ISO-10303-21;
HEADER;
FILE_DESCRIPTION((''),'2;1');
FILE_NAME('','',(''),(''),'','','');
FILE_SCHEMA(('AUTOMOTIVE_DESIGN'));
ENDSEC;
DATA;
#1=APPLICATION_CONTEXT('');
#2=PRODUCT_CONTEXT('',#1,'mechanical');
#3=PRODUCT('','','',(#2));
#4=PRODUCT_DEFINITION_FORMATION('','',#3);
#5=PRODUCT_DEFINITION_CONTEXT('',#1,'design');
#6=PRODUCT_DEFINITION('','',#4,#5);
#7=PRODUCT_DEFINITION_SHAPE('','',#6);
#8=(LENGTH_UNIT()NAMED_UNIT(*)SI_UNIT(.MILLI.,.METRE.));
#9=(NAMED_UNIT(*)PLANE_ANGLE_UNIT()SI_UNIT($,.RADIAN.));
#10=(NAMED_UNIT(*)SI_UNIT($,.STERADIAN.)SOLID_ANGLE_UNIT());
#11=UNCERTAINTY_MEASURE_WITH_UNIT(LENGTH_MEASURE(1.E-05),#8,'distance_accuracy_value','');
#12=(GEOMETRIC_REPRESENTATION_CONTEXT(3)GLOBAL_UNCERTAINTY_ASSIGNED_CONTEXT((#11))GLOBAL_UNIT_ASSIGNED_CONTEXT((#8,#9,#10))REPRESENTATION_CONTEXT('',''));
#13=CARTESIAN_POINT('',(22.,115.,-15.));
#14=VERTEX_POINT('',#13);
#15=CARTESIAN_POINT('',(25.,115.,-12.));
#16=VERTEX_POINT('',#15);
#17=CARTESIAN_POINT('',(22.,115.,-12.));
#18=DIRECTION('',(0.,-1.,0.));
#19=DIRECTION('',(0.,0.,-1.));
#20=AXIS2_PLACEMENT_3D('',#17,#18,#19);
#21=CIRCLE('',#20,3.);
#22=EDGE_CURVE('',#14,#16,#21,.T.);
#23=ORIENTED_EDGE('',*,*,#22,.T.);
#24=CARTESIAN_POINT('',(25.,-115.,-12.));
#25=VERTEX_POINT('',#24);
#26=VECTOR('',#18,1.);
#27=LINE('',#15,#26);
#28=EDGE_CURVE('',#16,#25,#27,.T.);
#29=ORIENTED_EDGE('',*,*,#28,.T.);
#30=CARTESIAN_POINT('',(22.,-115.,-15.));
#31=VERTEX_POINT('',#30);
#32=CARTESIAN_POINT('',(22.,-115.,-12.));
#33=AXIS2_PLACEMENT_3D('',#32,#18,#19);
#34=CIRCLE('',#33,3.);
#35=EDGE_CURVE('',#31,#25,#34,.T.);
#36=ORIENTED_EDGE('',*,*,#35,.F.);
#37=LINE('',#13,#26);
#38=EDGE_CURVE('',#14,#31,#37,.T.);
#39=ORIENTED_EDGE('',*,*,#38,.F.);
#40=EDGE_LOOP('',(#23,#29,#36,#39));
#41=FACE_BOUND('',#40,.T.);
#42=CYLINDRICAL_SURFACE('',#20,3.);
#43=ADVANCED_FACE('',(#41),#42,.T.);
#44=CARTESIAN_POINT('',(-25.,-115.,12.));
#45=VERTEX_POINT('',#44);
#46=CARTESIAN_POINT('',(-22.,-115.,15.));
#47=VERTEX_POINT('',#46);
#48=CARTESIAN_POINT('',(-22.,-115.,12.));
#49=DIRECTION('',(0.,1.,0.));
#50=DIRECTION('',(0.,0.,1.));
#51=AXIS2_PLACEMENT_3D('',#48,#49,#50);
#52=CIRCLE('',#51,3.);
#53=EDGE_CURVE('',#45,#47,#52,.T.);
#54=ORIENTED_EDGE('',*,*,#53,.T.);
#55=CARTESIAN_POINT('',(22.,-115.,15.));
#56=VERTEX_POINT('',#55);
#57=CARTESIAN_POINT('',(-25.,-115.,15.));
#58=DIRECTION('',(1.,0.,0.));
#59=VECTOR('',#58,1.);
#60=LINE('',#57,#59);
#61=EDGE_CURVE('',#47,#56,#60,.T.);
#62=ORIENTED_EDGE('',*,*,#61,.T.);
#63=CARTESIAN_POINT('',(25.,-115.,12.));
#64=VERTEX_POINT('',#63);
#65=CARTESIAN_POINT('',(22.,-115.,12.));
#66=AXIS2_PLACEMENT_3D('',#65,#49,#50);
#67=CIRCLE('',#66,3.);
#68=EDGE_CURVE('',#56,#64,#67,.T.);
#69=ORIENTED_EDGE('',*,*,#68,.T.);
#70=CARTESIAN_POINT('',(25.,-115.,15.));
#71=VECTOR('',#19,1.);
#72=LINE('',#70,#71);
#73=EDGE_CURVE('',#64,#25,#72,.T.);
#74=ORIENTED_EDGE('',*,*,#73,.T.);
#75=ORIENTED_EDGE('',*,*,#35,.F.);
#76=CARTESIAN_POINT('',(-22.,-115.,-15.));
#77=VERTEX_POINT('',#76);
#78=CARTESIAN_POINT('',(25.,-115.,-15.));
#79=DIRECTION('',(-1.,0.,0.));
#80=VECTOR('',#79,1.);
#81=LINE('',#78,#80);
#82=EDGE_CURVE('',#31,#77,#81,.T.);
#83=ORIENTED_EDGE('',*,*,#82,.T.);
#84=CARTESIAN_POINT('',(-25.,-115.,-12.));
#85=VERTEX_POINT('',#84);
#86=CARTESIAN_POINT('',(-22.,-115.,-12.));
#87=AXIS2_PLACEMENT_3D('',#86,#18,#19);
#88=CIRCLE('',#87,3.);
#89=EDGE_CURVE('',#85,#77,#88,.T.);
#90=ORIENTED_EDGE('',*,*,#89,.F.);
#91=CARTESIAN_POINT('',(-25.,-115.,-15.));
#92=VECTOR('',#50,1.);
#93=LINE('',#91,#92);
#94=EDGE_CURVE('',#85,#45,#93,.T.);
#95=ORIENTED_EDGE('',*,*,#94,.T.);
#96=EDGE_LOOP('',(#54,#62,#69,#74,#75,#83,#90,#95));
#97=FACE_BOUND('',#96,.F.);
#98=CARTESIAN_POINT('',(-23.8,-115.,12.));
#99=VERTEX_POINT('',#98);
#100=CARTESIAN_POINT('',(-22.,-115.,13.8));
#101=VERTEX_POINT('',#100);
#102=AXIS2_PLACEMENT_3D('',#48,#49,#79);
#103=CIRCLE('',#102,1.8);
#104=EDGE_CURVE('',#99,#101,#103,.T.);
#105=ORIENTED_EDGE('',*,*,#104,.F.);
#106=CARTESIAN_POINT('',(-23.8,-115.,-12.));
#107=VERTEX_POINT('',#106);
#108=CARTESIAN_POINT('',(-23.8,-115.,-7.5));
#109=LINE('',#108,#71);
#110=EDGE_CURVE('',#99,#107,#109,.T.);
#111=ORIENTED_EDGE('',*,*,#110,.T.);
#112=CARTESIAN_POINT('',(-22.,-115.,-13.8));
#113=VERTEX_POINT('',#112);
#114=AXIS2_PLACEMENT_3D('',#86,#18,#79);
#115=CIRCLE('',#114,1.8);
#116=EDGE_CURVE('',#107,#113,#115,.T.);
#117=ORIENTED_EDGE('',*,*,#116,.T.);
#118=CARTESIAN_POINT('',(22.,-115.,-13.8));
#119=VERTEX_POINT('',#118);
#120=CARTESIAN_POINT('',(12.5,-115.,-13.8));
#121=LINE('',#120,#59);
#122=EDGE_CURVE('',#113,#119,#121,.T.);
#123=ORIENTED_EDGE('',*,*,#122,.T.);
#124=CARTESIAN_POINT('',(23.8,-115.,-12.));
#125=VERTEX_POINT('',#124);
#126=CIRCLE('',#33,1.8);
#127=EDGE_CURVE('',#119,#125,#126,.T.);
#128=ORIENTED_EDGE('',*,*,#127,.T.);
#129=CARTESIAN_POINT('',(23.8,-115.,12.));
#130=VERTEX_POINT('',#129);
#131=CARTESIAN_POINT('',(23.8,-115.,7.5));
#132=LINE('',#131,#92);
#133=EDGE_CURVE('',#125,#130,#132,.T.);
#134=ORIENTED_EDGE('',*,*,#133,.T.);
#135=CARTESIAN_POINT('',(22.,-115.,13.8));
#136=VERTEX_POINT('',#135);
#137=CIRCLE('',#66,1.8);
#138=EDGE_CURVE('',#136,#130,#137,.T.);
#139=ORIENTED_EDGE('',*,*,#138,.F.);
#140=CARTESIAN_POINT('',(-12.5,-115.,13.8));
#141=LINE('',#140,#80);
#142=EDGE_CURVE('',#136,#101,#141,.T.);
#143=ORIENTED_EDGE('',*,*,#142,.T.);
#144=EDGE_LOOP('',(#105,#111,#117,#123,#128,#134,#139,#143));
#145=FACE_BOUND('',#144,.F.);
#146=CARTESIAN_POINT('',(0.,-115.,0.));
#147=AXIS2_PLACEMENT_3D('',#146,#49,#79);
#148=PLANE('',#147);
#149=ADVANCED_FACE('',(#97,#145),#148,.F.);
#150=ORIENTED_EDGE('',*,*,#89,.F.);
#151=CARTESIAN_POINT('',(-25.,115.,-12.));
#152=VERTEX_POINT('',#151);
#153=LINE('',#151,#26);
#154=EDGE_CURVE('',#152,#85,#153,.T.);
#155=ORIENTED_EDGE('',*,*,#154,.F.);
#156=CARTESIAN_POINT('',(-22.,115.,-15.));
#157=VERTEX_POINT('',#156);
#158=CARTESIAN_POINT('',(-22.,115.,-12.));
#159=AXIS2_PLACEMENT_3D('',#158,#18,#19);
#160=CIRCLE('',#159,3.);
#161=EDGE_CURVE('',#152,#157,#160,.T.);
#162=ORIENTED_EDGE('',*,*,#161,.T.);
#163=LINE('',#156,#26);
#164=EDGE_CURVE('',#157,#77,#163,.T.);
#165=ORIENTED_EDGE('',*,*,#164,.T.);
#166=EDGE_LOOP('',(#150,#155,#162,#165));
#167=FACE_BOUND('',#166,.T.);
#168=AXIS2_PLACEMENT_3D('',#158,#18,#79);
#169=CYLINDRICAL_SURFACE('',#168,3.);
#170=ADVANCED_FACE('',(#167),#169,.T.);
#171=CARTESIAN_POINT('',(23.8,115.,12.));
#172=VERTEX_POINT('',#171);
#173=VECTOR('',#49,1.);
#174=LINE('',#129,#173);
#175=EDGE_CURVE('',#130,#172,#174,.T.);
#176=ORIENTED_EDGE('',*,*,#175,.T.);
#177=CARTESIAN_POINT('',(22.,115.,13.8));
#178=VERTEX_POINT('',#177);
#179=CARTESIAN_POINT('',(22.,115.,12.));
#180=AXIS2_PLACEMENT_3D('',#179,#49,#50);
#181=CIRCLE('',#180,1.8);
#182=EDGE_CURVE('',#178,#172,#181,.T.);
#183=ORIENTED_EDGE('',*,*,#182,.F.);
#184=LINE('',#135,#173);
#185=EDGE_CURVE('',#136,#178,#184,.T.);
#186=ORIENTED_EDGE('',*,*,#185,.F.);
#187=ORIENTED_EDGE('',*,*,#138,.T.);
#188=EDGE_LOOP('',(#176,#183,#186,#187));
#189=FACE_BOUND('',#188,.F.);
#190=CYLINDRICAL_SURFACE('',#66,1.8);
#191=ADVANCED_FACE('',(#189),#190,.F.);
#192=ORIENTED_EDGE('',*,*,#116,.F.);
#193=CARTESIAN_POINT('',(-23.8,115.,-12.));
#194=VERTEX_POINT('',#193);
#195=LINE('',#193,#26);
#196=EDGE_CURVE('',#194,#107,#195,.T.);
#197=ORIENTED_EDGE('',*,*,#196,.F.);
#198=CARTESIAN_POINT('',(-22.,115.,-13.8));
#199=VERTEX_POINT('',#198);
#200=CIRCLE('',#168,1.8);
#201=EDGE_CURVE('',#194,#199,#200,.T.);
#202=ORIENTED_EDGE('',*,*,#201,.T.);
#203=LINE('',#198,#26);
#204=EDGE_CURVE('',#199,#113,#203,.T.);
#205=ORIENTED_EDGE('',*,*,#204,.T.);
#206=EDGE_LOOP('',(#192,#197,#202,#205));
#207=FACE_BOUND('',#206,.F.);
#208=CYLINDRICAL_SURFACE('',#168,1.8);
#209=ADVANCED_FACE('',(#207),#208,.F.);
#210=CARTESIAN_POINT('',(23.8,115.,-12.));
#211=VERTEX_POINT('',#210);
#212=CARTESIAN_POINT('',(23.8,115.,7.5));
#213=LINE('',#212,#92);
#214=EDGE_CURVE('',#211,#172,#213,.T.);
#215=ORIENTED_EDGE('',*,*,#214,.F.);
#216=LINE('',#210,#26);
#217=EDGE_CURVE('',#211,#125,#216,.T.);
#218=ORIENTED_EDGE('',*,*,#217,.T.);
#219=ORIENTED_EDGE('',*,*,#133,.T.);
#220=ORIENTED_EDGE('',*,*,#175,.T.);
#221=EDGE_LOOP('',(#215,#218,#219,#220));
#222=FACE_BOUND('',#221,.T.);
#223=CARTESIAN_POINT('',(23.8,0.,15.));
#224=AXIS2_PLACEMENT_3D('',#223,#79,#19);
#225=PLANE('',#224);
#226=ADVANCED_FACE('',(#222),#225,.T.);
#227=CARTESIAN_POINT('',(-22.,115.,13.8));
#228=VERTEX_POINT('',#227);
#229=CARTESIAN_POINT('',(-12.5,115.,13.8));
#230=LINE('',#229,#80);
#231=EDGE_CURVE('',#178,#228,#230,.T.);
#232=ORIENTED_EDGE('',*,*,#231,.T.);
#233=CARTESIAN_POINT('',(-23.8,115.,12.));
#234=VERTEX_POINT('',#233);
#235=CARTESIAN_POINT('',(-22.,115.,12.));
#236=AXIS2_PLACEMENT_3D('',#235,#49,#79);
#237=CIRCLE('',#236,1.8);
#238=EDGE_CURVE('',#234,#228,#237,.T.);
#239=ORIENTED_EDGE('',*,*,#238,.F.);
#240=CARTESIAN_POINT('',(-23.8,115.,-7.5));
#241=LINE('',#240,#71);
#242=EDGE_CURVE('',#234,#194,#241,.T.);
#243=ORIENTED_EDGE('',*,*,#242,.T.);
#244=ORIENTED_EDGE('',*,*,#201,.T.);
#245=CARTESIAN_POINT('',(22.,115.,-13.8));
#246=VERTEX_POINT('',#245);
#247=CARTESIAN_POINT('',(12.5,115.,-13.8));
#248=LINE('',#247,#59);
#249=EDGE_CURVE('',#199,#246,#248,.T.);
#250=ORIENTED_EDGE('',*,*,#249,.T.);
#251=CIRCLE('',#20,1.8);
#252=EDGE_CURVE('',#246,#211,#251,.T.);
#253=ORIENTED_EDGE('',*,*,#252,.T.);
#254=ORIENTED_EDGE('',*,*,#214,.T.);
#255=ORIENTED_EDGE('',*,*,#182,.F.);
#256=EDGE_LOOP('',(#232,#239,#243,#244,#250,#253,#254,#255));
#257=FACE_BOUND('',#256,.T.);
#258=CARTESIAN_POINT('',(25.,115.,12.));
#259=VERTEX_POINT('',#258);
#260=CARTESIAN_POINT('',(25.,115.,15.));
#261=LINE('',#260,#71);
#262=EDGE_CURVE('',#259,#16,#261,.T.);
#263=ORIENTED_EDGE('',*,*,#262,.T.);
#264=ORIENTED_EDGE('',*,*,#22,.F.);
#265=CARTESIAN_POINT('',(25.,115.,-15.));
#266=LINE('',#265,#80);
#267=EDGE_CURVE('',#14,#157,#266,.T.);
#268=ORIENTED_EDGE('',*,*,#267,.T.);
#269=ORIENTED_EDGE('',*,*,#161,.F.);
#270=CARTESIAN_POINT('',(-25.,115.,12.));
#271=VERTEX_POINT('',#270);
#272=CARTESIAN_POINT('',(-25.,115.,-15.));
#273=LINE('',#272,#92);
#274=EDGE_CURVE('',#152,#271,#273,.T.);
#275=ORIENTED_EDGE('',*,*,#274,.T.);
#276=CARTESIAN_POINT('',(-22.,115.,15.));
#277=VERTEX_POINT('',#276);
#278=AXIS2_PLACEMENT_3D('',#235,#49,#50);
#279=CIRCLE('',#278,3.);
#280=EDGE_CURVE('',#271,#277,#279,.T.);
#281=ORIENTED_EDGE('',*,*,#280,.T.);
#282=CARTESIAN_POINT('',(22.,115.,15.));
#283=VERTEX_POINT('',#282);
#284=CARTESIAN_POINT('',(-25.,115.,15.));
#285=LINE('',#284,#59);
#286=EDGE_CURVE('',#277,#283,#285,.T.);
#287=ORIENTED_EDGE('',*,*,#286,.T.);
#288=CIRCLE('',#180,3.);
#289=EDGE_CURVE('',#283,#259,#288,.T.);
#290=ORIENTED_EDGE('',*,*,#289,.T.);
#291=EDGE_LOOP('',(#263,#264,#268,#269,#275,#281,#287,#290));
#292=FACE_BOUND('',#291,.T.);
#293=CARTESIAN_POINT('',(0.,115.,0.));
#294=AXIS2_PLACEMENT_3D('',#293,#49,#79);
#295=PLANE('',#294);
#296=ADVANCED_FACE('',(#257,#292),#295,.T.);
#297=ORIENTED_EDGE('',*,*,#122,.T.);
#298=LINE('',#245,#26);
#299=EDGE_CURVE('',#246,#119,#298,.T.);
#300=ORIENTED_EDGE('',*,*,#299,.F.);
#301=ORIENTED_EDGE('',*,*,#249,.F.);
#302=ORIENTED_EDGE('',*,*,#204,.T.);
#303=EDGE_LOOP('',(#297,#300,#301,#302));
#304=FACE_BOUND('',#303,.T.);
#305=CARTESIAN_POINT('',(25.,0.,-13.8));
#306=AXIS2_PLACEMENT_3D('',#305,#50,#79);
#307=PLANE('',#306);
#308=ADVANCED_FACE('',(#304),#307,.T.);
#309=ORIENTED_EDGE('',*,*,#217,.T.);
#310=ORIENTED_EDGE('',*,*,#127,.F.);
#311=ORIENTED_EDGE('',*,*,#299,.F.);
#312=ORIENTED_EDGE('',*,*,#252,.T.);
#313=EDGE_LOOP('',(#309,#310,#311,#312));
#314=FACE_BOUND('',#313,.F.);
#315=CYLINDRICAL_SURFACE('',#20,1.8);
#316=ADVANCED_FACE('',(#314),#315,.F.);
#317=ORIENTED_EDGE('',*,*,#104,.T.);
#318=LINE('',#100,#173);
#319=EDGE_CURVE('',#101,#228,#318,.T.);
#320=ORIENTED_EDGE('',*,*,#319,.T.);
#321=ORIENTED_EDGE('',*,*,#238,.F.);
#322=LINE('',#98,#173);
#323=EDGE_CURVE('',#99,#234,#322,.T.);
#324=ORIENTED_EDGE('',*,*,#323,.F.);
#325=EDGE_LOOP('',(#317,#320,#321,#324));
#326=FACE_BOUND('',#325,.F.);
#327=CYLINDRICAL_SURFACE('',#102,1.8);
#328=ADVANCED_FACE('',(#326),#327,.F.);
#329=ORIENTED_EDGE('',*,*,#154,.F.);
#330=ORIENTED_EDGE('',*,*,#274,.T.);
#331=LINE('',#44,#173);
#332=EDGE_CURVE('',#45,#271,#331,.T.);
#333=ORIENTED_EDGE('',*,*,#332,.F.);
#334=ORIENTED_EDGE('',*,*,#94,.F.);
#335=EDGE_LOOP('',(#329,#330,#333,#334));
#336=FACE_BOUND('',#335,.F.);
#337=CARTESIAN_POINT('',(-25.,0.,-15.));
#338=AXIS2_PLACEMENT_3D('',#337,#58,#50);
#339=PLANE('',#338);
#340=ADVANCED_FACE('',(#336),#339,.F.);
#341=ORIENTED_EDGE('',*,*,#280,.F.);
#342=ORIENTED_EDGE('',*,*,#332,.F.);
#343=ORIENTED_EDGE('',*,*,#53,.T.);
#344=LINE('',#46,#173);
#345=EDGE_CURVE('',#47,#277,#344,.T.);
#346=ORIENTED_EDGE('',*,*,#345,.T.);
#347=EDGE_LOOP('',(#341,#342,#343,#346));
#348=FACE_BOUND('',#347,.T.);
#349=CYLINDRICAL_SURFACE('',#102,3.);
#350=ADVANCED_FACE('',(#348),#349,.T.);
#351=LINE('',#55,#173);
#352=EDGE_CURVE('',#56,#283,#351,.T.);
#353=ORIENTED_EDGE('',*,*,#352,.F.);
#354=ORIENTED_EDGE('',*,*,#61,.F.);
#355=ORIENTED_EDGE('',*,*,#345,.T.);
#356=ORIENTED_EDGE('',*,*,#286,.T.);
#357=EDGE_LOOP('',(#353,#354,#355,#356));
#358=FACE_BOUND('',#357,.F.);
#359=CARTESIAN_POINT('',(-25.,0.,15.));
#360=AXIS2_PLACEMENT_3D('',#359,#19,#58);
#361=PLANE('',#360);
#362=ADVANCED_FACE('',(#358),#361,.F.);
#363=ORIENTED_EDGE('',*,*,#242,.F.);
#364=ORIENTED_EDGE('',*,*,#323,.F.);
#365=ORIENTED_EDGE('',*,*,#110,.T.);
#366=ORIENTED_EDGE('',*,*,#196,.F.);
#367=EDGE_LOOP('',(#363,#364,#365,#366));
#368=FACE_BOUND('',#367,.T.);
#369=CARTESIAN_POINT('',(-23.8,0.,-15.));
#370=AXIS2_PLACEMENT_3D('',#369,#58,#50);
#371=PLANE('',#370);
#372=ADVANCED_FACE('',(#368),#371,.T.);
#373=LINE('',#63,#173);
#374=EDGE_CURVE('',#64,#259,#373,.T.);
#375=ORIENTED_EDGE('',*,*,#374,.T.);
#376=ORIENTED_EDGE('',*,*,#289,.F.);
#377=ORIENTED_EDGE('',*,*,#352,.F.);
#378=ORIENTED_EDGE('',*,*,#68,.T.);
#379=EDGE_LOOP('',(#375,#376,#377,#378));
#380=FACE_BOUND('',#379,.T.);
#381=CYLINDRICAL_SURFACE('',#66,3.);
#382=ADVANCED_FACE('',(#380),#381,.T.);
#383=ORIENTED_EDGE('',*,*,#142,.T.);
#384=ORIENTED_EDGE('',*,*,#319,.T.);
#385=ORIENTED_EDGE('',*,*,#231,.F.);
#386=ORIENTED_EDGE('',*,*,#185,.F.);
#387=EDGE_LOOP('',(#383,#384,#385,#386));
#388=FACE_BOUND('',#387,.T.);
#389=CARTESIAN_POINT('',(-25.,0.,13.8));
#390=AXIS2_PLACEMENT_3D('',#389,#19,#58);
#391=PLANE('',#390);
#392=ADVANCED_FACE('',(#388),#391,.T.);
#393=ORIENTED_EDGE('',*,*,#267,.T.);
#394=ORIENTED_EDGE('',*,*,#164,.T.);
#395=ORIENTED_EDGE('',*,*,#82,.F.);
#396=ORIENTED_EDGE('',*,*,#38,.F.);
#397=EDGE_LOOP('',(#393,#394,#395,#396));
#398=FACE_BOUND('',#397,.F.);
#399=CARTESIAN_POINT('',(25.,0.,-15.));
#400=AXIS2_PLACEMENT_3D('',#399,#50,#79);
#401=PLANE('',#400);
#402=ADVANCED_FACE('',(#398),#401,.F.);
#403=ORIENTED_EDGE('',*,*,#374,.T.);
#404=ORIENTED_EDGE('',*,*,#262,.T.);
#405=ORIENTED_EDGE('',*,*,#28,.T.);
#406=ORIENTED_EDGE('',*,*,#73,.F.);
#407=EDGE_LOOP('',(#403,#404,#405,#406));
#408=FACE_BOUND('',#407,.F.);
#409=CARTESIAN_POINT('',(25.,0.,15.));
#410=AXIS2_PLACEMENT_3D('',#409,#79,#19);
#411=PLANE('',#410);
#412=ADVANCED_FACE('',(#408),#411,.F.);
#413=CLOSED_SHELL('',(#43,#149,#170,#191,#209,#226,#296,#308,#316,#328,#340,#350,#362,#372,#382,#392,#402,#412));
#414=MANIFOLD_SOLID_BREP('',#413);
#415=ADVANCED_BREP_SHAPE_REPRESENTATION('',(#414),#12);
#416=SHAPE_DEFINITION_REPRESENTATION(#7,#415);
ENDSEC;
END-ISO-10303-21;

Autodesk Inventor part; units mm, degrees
ref_plane "YZ Plane" through (0, 0, 0) normal (1, 0, 0) x (0, 1, 0)
ref_plane "XZ Plane" through (0, 0, 0) normal (0, 1, 0) x (-1, 0, 0)
ref_plane "XY Plane" through (0, 0, 0) normal (0, 0, 1) x (1, 0, 0)
sketch "Sketch1" plane through (0, 0, 0) normal (0, 1, 0) x (-1, 0, 0)
  line L0 (25, 15) -> (-25, 15)
  line L1 (-25, 15) -> (-25, -15)
  line L2 (-25, -15) -> (25, -15)
  line L3 (25, -15) -> (25, 15)
  line L4 (25, 15) -> (-25, -15) construction
  line L5 (-25, 15) -> (25, -15) construction
  point P0 (0, 0)
  dimension "d0" = 50
  dimension "d1" = 30
extrude "Extrusion1" add sketch "Sketch1" along normal mid plane 230
fillet "Fillet1" radius 3 4 edges at (25, 0, 15) (25, 0, -15) (-25, 0, 15) (-25, 0, -15)
shell "Shell1" thickness 1.2 removed faces 2 at (-7.3333, 115, -5) at (-7.3333, -115, -5)
properties part number "Perfil 30x501"
